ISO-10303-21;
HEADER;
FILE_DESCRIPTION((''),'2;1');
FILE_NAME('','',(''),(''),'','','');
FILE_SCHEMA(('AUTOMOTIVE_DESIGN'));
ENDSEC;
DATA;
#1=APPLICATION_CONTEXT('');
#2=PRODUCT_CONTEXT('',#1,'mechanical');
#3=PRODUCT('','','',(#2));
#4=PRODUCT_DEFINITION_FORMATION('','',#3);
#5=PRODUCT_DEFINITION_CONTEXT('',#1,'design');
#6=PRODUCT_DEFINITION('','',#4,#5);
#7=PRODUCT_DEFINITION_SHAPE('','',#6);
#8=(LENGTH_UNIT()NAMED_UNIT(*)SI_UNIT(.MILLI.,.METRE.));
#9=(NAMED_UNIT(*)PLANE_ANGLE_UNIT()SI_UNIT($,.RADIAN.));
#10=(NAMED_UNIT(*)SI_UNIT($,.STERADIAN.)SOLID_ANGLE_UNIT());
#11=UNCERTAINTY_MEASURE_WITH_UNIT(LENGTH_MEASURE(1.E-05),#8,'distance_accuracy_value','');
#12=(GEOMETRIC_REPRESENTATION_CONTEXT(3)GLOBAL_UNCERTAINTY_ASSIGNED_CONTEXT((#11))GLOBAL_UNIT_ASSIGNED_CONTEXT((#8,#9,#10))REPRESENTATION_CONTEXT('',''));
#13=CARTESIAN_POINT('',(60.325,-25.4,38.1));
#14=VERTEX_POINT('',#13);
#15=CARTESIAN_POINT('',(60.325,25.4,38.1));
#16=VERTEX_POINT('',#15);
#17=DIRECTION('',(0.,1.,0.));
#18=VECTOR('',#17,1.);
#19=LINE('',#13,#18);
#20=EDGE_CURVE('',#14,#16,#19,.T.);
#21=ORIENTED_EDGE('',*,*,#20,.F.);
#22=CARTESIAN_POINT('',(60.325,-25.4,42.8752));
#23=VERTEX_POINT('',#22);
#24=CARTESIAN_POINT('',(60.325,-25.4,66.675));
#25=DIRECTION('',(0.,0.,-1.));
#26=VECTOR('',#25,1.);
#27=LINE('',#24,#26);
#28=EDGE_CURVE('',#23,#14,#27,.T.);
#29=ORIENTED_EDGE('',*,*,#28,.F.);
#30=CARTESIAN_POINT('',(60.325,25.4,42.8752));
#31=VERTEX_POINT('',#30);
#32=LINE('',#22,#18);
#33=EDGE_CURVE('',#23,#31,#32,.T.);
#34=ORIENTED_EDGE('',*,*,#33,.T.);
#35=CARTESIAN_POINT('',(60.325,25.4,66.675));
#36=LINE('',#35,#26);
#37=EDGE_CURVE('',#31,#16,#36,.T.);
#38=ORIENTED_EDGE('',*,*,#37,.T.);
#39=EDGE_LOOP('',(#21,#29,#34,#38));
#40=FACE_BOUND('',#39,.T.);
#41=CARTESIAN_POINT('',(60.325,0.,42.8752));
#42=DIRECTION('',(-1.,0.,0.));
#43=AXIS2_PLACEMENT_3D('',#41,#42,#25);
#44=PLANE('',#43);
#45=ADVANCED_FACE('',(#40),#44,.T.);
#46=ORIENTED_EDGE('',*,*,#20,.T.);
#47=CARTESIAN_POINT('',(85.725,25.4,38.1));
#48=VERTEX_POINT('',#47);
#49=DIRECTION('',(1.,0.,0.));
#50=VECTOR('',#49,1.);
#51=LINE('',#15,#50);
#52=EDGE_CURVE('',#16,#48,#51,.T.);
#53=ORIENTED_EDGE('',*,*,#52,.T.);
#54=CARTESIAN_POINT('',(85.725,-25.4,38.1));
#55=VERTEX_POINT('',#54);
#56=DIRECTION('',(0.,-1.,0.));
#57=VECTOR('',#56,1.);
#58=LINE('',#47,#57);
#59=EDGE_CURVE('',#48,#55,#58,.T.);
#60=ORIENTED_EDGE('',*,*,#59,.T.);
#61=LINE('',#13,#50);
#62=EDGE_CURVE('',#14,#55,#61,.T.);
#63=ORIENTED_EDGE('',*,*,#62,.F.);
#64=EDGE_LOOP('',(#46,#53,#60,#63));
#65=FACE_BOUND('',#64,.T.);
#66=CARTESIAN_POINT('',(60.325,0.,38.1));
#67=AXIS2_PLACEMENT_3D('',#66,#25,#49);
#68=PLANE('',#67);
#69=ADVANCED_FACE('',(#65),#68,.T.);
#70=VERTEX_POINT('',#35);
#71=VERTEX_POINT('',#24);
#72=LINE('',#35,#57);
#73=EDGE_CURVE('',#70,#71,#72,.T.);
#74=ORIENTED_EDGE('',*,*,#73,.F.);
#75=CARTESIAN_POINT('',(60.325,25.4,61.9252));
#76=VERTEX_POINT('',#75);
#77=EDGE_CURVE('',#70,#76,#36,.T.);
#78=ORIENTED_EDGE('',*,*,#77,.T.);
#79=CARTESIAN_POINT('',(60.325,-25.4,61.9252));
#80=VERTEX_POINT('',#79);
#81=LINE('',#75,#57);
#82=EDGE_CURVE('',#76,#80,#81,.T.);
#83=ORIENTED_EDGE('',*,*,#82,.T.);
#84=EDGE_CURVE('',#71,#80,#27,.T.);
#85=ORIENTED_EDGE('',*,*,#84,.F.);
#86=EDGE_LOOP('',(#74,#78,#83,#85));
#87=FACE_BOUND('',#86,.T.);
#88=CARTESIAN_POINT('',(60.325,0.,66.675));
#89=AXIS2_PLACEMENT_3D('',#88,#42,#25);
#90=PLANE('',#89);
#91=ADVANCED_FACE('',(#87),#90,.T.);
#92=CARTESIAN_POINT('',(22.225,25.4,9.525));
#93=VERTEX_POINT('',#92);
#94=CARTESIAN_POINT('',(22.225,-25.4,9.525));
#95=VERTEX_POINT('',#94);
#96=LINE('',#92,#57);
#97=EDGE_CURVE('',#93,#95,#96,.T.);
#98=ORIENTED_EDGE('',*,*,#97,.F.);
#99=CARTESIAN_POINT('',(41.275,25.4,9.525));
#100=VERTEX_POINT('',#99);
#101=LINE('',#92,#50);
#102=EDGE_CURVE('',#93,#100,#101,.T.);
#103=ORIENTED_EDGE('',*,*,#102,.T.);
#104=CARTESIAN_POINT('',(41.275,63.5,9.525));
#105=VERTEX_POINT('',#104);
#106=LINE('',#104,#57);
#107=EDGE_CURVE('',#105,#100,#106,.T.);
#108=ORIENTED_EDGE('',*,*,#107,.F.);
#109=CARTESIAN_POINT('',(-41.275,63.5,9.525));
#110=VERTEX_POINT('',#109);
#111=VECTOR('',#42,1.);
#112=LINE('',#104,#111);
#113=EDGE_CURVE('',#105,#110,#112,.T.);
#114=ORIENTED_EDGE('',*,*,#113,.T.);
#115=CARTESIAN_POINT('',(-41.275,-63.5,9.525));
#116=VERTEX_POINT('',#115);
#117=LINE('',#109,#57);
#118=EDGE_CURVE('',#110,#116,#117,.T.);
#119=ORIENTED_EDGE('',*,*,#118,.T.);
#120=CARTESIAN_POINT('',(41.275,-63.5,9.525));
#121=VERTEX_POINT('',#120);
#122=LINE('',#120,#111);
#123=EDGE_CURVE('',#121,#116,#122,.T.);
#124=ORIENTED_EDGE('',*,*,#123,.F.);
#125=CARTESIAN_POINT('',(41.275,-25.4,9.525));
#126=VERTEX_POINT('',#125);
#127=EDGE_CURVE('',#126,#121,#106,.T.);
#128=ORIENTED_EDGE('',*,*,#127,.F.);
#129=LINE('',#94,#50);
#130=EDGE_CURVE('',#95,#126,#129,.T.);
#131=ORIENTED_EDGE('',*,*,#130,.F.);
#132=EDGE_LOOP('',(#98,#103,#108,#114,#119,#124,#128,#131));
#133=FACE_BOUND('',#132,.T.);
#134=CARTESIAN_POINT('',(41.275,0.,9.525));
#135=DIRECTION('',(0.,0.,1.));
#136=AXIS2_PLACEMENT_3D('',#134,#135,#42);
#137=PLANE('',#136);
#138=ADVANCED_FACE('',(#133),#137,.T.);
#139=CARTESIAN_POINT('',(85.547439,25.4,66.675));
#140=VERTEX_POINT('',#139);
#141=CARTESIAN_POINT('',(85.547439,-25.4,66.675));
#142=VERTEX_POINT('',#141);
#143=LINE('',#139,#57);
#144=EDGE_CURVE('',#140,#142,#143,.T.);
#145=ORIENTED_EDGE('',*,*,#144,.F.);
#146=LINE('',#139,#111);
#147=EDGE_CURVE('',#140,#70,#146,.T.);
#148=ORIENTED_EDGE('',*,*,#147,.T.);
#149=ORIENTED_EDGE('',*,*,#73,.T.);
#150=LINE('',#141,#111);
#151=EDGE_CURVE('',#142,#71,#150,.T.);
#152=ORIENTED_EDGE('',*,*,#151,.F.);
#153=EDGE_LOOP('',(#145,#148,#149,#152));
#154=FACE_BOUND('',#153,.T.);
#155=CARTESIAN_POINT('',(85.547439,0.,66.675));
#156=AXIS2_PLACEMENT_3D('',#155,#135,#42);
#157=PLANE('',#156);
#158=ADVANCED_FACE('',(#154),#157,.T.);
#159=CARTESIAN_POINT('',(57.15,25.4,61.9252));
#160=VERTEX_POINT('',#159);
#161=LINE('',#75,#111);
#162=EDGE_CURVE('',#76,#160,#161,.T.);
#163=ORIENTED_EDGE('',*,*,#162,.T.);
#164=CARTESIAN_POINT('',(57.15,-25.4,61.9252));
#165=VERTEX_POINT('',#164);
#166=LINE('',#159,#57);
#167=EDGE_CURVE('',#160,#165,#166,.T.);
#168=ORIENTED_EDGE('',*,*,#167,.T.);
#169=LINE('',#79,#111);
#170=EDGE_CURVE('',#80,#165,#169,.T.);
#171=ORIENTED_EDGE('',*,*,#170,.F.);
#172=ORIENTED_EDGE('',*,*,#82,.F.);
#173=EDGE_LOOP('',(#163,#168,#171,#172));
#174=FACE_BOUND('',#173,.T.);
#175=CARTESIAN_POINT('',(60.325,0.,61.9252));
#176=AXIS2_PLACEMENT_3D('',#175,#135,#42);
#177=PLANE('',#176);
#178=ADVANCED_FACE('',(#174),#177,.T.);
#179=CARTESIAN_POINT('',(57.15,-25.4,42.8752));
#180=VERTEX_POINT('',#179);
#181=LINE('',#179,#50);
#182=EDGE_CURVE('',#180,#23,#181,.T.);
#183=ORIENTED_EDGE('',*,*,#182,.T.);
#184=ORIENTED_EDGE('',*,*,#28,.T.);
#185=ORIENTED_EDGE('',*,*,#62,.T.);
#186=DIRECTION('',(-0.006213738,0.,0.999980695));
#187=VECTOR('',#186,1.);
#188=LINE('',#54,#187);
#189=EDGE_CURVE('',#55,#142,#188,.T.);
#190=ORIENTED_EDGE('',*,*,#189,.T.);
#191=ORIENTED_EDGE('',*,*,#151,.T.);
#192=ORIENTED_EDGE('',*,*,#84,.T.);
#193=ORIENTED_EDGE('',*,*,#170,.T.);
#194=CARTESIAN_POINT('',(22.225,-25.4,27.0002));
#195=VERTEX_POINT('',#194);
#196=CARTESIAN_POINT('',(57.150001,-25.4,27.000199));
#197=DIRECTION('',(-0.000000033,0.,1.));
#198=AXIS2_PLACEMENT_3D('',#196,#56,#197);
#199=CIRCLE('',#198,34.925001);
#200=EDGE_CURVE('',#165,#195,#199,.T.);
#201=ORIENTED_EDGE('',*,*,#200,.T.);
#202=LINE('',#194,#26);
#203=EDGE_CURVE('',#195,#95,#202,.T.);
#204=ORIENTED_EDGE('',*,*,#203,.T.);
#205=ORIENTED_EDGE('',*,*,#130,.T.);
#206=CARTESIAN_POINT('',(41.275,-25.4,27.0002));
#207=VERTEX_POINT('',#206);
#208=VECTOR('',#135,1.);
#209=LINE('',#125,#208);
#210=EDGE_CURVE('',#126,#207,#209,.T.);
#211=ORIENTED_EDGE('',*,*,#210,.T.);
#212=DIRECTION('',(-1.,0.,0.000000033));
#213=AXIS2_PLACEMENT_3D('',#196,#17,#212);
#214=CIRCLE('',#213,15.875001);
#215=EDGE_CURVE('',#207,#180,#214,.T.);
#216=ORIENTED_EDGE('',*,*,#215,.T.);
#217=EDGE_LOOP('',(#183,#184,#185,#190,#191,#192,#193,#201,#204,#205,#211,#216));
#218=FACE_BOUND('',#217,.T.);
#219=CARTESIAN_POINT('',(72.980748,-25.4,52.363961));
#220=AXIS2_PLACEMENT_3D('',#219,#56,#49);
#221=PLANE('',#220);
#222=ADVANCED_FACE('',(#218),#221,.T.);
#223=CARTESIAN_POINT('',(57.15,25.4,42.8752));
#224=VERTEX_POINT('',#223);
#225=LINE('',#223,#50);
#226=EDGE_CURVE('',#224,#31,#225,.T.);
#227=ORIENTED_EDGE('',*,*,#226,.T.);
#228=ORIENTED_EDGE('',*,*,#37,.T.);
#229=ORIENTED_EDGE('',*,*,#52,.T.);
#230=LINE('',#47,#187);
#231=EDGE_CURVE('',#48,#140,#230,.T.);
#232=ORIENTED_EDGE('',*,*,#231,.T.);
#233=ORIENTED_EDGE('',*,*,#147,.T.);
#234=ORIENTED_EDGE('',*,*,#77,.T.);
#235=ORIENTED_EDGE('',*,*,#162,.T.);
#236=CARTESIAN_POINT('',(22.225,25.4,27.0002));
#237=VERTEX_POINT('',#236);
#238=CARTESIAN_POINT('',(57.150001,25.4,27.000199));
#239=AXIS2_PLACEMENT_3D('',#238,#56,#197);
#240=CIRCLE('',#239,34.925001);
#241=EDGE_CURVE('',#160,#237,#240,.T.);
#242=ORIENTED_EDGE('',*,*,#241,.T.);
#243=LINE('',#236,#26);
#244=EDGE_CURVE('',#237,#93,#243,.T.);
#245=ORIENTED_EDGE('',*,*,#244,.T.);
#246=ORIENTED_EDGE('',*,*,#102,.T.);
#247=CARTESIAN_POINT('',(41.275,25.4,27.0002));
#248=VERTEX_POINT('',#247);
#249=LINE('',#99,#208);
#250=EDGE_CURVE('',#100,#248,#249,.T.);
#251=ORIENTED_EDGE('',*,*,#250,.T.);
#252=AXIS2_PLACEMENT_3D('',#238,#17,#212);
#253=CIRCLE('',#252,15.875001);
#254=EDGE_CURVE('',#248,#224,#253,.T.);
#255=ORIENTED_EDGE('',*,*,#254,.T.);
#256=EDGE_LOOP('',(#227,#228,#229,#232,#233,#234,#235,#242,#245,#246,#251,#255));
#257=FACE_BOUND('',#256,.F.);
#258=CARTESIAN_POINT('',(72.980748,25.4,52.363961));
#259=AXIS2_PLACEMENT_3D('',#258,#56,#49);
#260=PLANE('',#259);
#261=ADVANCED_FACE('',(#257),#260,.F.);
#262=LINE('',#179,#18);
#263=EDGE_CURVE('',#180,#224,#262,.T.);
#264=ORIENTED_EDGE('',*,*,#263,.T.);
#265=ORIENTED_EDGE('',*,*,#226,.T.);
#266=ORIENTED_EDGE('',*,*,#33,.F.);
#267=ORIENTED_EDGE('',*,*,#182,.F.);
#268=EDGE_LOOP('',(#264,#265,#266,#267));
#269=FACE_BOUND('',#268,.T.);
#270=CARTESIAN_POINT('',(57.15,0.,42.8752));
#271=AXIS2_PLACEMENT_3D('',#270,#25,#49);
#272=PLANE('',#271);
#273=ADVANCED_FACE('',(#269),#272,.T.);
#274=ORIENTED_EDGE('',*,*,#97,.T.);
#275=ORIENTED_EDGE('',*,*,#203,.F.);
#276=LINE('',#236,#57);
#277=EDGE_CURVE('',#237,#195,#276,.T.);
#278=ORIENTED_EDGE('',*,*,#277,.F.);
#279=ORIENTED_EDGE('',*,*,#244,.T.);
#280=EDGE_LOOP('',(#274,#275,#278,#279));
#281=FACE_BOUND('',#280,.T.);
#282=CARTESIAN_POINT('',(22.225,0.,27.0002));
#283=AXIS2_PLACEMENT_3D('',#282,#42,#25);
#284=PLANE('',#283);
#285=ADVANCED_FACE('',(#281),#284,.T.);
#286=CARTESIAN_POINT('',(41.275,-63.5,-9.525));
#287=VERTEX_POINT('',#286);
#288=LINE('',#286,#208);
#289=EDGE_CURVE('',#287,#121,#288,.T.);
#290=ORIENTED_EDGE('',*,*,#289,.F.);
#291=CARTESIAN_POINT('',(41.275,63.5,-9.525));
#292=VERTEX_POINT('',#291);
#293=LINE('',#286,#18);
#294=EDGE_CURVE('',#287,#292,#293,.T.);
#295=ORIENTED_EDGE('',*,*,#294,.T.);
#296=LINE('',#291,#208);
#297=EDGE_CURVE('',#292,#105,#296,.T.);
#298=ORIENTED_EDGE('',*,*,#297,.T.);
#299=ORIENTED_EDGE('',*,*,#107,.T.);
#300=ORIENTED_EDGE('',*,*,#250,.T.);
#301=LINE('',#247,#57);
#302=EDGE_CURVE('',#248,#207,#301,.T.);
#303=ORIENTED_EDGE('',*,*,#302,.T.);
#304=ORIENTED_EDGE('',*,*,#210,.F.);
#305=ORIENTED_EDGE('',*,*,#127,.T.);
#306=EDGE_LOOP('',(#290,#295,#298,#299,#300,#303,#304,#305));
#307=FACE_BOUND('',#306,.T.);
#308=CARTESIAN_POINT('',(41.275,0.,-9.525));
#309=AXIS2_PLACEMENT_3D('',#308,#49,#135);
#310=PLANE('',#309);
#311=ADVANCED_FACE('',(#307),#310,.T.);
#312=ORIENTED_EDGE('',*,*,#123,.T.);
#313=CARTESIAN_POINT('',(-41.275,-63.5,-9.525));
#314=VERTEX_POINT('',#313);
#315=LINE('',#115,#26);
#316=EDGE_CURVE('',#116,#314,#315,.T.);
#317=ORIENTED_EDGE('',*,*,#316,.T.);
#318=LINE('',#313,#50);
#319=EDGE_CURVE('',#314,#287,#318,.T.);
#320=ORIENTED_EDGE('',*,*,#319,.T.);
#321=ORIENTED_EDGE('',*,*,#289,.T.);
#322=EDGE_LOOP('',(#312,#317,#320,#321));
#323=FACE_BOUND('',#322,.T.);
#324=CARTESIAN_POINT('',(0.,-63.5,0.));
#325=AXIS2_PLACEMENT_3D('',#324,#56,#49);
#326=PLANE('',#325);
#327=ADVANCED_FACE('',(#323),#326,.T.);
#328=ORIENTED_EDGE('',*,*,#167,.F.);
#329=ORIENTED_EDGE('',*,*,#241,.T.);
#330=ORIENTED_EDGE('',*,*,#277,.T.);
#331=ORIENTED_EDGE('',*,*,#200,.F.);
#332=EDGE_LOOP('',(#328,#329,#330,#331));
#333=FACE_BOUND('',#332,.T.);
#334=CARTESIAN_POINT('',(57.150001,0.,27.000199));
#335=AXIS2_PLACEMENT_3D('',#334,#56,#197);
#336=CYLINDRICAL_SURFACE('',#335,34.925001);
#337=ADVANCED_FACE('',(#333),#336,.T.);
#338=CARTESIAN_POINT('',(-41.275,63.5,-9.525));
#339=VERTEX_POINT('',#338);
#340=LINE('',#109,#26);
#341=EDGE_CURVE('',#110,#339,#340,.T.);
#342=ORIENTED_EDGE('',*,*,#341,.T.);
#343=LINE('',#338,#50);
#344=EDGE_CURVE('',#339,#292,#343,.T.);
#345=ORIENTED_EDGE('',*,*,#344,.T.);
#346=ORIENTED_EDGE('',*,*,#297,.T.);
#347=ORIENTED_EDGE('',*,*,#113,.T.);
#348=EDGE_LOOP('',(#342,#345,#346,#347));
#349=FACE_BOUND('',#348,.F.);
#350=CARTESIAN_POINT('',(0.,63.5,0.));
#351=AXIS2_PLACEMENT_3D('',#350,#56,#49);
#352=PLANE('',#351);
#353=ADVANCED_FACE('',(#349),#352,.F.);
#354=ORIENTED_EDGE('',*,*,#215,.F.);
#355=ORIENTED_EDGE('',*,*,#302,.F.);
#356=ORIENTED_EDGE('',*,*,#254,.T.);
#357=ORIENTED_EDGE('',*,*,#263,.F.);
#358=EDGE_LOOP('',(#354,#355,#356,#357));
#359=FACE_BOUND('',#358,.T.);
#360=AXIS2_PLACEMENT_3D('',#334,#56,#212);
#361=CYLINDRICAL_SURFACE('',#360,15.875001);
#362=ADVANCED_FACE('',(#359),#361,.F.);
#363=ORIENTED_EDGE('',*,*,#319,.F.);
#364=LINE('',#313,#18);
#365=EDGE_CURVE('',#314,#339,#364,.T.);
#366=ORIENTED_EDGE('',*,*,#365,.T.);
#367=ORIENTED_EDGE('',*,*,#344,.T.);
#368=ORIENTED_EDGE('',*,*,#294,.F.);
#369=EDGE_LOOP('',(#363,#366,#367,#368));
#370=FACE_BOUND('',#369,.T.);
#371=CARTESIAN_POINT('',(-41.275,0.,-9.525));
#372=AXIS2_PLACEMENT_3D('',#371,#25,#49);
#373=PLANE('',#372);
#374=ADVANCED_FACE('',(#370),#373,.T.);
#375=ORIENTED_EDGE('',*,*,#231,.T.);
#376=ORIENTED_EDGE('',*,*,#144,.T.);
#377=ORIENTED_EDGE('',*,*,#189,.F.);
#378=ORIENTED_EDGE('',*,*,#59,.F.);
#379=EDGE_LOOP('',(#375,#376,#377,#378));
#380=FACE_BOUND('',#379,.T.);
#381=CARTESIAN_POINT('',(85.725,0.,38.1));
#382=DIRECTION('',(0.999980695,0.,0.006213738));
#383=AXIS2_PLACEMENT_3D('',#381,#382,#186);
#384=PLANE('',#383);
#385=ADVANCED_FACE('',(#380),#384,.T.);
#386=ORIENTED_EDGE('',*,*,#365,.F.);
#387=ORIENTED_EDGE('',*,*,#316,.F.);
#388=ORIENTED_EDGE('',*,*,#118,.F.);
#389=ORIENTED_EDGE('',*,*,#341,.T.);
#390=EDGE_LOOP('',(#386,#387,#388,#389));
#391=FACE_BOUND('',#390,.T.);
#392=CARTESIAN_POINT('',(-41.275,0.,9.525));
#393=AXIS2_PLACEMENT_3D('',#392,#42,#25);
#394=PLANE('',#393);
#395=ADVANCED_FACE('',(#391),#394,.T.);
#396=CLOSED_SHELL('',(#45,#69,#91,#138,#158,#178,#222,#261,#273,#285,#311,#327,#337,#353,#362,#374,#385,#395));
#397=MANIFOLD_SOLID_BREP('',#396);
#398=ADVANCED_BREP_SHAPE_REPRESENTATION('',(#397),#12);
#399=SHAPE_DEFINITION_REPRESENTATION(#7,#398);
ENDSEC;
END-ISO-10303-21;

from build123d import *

# Parameters (mm, degrees)
F1_DEPTH = 63.5
F2_DEPTH = 25.4


with BuildPart() as f1:
    # F0 (on Front) → F1 (new body, symmetric)
    with BuildSketch(Plane.XZ):
        Polygon((41.275, -9.525), (41.275, 9.525), (22.225, 9.525), (-41.275, 9.525), (-41.275, -9.525), align=None)
    extrude(amount=F1_DEPTH, both=True)

    # F0 (on Front) → F2 (join, symmetric)
    with BuildSketch(Plane.XZ):
        Polygon((60.325, 61.9252), (60.325, 42.8752), (60.325, 38.1), (85.725, 38.1), (85.547439, 66.675), (60.325, 66.675), align=None)
        with BuildLine():
            Line((22.225, 9.525), (41.275, 9.525))
            Line((41.275, 9.525), (41.275, 27.0002))
            ThreePointArc((41.275, 27.0002), (45.92468, 38.22552), (57.15, 42.8752))
            Line((57.15, 42.8752), (60.325, 42.8752))
            Line((60.325, 42.8752), (60.325, 61.9252))
            Line((60.325, 61.9252), (57.15, 61.9252))
            ThreePointArc((57.15, 61.9252), (32.454296, 51.695904), (22.225, 27.0002))
            Line((22.225, 27.0002), (22.225, 9.525))
        make_face()
    extrude(amount=F2_DEPTH, both=True)


solid = f1.part
